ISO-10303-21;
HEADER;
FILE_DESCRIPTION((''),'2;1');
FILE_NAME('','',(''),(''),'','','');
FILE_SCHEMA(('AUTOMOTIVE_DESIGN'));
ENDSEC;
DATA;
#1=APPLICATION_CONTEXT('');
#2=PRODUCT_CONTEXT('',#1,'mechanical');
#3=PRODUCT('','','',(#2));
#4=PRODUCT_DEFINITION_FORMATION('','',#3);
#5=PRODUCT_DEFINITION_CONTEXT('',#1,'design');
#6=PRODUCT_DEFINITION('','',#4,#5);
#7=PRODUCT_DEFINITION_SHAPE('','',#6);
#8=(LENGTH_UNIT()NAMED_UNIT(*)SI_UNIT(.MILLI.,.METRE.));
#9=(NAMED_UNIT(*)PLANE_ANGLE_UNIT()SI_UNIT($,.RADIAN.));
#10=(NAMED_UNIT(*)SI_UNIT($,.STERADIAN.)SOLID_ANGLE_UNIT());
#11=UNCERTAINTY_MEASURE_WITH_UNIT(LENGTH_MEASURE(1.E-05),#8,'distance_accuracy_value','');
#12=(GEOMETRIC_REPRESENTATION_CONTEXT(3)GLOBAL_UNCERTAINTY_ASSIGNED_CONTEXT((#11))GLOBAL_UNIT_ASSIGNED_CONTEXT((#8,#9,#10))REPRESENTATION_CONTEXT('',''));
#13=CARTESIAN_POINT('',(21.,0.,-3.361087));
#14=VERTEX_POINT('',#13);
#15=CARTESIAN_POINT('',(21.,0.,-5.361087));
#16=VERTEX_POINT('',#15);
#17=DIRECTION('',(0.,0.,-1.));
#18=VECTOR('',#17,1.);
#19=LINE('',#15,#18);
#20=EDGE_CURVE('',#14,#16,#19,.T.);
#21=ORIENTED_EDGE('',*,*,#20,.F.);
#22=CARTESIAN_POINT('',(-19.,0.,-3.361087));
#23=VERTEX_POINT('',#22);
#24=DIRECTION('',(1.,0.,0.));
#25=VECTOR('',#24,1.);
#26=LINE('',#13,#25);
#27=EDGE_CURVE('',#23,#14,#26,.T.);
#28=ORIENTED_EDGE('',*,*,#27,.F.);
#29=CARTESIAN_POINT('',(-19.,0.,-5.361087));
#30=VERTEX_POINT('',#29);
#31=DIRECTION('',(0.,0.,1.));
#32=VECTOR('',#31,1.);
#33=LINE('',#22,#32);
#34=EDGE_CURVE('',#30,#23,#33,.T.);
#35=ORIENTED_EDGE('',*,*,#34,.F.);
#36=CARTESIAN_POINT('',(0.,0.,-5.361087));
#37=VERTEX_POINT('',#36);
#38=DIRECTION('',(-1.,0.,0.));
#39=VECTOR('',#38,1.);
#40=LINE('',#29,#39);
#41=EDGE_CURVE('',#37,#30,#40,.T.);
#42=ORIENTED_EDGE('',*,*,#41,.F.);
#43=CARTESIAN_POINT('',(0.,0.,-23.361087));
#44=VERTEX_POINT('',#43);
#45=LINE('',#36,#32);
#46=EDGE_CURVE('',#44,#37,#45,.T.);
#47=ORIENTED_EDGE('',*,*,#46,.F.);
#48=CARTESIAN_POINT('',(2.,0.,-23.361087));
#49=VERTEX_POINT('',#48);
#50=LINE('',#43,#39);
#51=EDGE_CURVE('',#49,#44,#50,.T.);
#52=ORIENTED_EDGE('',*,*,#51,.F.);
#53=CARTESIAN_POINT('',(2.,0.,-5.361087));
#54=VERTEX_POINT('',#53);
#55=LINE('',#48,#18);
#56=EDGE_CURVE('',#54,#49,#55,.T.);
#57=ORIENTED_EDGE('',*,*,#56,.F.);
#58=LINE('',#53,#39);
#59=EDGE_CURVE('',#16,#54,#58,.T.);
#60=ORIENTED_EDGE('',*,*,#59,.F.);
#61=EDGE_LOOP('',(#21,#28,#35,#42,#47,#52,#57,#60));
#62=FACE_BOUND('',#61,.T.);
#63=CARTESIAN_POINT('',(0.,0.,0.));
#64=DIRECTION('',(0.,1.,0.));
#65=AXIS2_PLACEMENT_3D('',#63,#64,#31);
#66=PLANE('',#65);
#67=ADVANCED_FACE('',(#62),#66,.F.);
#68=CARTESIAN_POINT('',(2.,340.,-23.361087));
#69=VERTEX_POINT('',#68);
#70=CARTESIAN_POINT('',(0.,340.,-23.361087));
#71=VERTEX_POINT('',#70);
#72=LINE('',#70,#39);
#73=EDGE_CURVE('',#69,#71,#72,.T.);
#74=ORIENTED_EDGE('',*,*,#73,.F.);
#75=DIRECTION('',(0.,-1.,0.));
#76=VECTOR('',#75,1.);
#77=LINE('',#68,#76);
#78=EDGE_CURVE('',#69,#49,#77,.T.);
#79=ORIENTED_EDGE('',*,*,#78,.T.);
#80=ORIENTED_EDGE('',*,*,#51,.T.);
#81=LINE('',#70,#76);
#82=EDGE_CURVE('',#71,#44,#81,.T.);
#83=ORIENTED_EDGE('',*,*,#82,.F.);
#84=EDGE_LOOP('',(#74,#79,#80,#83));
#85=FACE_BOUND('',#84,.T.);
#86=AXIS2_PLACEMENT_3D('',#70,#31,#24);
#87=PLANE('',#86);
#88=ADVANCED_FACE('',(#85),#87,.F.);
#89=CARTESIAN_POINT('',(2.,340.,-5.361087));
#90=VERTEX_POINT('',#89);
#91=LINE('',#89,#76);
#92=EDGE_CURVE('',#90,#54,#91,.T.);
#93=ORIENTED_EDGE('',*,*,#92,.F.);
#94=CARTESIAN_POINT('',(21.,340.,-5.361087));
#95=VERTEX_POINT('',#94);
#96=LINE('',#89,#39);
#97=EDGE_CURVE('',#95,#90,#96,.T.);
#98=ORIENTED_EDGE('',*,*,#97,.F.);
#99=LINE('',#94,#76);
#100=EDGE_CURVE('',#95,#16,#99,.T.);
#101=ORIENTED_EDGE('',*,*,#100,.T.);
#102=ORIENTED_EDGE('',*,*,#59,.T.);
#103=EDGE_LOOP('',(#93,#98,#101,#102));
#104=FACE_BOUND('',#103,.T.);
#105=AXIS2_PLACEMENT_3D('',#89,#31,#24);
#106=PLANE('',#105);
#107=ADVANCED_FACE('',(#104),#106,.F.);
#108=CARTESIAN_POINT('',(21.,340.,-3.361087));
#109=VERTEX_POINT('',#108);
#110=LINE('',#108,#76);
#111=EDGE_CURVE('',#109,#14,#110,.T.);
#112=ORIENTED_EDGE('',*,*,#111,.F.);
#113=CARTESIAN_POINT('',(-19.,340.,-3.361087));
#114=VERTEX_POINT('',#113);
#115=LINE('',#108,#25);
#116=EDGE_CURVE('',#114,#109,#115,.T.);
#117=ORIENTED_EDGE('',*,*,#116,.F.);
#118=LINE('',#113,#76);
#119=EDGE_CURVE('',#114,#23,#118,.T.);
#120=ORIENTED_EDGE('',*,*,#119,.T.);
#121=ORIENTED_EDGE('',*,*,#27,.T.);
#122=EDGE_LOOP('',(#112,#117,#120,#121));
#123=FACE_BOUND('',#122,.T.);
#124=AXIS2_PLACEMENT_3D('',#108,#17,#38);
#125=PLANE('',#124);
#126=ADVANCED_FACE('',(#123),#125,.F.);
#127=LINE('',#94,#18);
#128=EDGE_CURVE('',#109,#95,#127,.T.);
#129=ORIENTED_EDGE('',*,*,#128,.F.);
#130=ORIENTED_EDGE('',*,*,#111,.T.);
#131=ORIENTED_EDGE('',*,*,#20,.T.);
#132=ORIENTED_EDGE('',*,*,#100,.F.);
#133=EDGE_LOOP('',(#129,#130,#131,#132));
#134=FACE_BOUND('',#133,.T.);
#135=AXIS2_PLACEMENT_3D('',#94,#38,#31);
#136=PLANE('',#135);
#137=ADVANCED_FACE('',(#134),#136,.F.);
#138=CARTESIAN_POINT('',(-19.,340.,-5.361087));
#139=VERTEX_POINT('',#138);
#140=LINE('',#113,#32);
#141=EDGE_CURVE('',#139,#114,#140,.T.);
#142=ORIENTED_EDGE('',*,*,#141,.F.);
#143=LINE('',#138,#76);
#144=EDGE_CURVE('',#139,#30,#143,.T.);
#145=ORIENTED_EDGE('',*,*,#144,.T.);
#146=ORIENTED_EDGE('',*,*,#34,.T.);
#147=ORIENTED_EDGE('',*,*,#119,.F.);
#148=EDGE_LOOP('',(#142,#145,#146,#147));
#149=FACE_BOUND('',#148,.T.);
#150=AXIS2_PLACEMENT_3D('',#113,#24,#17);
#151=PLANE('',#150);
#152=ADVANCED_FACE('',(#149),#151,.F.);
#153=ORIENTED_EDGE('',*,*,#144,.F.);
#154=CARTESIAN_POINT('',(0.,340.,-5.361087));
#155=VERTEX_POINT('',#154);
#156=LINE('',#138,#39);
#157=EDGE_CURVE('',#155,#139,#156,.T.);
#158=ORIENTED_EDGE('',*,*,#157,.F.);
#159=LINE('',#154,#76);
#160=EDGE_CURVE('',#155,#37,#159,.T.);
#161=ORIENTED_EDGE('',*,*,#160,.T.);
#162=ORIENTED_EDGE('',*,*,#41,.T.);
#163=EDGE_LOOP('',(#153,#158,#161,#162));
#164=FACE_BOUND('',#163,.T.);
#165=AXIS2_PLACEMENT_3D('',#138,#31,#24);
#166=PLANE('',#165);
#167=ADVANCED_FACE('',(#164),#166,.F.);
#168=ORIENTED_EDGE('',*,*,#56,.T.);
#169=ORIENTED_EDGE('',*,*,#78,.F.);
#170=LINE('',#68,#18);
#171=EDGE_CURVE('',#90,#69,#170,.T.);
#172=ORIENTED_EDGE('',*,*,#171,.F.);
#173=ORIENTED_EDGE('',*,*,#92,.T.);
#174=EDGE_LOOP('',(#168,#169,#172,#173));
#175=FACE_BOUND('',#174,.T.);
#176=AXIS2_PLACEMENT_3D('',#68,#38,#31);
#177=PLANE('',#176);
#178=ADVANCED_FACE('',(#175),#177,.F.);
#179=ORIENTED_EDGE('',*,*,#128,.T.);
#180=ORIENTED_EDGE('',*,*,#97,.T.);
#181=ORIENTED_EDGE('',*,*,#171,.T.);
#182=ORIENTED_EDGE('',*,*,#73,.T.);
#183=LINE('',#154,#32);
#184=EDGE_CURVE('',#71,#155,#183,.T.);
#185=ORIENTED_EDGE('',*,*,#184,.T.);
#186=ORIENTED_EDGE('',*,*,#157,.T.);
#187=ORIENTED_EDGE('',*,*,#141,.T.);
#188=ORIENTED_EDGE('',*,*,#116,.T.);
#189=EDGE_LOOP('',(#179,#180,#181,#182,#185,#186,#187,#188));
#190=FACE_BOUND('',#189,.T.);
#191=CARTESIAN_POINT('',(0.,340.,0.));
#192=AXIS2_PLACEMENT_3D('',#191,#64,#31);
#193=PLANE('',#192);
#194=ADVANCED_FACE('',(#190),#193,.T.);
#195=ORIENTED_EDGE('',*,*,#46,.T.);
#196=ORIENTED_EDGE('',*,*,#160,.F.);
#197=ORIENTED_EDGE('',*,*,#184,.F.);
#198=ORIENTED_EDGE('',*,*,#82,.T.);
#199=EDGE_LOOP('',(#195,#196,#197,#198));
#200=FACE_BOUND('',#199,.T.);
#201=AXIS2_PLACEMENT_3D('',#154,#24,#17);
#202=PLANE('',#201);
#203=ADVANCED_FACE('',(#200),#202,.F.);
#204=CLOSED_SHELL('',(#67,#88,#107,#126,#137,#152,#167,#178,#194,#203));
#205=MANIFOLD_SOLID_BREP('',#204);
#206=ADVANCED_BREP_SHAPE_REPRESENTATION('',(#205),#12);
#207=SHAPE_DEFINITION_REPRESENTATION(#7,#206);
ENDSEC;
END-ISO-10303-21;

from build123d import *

# Parameters (mm, degrees)
BOSS_EXTRUDE1_DEPTH = 340


with BuildPart() as part:
    # Sketch1 → Boss-Extrude1 (new body)
    with BuildSketch(Plane(origin=(0, 0, 0), x_dir=(1, 0, 0), z_dir=(0, 1, 0))):
        Polygon((0, 5.361086759), (0, 23.361086759), (2, 23.361086759), (2, 5.361086759), (21, 5.361086759), (21, 3.361086759), (-19, 3.361086759), (-19, 5.361086759), align=None)
    extrude(amount=BOSS_EXTRUDE1_DEPTH)


solid = part.part
